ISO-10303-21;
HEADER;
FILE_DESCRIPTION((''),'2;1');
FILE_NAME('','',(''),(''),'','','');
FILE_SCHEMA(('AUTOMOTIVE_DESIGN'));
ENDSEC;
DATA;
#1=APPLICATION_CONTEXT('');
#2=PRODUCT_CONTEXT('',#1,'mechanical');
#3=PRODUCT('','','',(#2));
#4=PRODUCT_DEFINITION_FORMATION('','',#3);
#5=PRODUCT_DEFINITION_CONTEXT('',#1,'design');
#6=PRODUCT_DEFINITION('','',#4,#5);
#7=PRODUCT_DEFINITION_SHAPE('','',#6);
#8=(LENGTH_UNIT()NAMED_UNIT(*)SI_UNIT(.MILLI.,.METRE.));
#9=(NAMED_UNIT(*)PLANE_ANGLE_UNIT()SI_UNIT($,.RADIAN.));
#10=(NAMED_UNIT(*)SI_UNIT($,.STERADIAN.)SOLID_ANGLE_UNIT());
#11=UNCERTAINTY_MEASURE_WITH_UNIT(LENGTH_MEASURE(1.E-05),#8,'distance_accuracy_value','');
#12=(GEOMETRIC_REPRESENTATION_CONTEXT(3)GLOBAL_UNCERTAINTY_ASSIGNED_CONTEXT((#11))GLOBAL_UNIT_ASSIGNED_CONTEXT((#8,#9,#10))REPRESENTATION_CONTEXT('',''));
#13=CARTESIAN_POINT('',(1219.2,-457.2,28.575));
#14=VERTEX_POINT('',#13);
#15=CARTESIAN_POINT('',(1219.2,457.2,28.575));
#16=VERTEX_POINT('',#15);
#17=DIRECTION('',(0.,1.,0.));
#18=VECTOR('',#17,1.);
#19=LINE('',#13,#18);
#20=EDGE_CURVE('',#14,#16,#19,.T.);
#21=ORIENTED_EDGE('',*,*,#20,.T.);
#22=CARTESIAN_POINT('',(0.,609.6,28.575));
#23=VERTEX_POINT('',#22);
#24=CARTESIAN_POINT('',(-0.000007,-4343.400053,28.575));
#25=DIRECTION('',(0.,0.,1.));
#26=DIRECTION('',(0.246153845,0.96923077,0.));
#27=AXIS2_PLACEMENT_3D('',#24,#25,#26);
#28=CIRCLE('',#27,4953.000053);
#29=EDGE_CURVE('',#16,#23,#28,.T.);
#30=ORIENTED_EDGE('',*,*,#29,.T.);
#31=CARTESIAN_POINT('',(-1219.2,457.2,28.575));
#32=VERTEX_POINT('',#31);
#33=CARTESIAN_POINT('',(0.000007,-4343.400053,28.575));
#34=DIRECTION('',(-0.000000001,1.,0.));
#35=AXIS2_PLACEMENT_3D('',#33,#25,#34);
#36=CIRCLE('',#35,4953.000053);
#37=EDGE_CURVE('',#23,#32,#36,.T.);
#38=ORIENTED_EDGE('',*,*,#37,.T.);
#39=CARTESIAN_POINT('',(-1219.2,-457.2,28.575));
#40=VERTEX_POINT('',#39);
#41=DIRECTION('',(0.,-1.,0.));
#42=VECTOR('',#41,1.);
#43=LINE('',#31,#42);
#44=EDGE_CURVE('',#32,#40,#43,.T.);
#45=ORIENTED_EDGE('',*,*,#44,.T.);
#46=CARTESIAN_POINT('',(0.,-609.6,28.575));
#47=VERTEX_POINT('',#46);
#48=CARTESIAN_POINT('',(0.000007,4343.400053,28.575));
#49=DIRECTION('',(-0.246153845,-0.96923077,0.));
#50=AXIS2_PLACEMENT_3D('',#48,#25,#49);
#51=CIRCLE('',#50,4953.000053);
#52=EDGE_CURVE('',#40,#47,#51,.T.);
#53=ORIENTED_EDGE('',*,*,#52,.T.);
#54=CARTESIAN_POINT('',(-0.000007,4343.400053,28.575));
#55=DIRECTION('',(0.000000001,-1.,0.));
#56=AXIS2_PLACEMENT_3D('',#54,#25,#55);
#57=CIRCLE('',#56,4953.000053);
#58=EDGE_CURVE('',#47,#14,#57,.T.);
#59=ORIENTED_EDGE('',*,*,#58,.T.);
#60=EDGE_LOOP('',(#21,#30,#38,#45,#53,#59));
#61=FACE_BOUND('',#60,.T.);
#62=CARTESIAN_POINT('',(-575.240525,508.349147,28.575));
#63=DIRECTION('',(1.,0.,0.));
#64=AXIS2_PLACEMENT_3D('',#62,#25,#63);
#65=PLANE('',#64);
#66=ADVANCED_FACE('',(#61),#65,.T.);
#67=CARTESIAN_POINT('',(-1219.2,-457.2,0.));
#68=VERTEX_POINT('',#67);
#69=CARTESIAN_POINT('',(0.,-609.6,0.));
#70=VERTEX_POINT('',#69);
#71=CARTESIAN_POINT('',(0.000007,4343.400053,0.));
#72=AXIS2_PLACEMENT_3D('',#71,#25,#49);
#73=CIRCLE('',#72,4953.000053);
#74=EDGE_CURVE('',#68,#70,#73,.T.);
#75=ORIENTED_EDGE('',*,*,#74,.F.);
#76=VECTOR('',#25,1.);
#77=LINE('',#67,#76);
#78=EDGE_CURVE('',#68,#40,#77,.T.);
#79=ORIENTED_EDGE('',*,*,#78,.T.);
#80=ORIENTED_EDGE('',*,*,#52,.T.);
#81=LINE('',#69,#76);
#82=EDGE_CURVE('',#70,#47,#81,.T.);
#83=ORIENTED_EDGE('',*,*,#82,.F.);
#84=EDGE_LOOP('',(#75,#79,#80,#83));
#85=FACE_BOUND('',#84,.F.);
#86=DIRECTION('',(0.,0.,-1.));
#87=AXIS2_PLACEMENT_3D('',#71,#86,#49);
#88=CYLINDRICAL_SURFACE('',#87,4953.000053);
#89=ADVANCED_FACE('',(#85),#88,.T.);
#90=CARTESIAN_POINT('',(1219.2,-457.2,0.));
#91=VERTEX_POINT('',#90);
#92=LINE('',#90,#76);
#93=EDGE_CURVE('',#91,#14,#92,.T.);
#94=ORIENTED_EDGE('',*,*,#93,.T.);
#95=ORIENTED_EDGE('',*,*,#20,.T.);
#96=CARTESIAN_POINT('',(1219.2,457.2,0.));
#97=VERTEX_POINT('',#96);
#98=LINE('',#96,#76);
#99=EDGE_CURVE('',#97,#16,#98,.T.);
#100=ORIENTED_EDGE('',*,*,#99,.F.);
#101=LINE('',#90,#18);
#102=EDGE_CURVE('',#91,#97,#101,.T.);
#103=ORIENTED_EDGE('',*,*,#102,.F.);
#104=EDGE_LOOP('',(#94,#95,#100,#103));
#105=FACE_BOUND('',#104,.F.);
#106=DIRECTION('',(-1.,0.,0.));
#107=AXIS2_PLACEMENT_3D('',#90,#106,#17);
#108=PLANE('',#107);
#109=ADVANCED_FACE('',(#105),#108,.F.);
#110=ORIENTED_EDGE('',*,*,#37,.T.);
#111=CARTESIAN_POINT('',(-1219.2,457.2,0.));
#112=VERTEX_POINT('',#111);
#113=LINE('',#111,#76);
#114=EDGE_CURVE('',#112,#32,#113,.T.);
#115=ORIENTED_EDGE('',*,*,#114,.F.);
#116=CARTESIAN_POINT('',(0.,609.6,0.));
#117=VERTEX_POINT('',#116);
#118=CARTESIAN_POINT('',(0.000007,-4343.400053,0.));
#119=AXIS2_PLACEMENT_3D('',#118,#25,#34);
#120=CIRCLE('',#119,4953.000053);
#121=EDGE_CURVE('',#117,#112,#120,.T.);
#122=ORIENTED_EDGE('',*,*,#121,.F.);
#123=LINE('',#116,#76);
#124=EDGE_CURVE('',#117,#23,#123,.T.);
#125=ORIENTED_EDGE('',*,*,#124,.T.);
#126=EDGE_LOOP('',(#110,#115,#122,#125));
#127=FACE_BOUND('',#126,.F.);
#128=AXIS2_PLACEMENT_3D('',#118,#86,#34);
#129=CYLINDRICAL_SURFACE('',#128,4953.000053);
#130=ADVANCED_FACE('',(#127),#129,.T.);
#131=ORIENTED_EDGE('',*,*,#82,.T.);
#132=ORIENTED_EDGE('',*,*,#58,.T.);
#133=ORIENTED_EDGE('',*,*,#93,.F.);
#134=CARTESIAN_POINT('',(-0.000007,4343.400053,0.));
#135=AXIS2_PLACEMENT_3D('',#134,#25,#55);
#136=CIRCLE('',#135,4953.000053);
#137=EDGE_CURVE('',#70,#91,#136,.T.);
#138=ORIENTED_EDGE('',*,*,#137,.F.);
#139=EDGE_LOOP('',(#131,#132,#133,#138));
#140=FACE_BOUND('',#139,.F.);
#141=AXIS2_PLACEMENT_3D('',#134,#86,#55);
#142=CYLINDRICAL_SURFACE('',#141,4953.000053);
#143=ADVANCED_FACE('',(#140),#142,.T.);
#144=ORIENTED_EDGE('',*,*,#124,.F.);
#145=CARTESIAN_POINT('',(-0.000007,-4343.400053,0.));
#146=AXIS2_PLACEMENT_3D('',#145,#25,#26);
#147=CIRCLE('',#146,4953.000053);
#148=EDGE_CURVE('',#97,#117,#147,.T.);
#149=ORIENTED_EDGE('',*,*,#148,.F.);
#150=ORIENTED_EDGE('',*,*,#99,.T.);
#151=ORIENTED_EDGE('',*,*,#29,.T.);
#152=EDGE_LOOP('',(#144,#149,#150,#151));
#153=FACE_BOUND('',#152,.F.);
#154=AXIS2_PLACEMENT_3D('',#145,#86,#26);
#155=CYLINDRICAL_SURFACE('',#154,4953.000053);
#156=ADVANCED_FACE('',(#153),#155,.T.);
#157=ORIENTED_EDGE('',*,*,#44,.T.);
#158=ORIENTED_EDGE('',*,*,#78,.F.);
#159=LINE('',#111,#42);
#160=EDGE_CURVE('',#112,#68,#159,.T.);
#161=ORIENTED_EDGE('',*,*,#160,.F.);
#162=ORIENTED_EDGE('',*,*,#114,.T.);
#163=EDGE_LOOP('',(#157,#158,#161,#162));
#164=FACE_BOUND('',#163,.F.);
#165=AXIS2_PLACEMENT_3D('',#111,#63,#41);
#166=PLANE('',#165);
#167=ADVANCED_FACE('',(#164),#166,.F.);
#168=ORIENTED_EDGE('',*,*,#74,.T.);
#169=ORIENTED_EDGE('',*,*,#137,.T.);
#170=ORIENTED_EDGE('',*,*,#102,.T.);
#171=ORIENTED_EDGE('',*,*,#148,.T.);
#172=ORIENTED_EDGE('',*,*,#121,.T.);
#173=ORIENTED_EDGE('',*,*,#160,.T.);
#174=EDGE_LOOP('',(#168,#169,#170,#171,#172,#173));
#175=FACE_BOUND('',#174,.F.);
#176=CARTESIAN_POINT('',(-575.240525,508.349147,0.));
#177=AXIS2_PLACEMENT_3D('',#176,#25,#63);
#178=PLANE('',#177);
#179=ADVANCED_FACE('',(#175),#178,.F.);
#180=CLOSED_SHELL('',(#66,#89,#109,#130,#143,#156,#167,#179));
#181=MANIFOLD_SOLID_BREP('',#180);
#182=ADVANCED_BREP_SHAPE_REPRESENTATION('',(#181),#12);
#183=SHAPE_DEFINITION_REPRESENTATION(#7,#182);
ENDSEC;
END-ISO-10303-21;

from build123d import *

# Parameters (mm, degrees)
F1_DEPTH = 28.575


with BuildPart() as f1:
    # F0 (on Top) → F1 (new body)
    with BuildSketch(Plane.XY):
        with BuildLine():
            Line((-1219.2, 457.2), (0, 457.2))
            Line((0, 457.2), (0, 609.6))
            ThreePointArc((0, 609.6), (-614.34404, 571.352323), (-1219.2, 457.2))
        make_face()
        with BuildLine():
            Line((0, 457.2), (1219.2, 457.2))
            ThreePointArc((1219.2, 457.2), (614.34404, 571.352323), (0, 609.6))
            Line((0, 609.6), (0, 457.2))
        make_face()
        Polygon((0, 0), (0, 457.2), (-1219.2, 457.2), (-1219.2, -457.2), (0, -457.2), align=None)
        Polygon((1219.2, -457.2), (1219.2, 457.2), (0, 457.2), (0, 0), (0, -457.2), align=None)
        with BuildLine():
            Line((0, -609.6), (0, -457.2))
            Line((0, -457.2), (-1219.2, -457.2))
            ThreePointArc((-1219.2, -457.2), (-614.34404, -571.352323), (0, -609.6))
        make_face()
        with BuildLine():
            ThreePointArc((0, -609.6), (614.34404, -571.352323), (1219.2, -457.2))
            Line((1219.2, -457.2), (0, -457.2))
            Line((0, -457.2), (0, -609.6))
        make_face()
    extrude(amount=F1_DEPTH)


solid = f1.part
